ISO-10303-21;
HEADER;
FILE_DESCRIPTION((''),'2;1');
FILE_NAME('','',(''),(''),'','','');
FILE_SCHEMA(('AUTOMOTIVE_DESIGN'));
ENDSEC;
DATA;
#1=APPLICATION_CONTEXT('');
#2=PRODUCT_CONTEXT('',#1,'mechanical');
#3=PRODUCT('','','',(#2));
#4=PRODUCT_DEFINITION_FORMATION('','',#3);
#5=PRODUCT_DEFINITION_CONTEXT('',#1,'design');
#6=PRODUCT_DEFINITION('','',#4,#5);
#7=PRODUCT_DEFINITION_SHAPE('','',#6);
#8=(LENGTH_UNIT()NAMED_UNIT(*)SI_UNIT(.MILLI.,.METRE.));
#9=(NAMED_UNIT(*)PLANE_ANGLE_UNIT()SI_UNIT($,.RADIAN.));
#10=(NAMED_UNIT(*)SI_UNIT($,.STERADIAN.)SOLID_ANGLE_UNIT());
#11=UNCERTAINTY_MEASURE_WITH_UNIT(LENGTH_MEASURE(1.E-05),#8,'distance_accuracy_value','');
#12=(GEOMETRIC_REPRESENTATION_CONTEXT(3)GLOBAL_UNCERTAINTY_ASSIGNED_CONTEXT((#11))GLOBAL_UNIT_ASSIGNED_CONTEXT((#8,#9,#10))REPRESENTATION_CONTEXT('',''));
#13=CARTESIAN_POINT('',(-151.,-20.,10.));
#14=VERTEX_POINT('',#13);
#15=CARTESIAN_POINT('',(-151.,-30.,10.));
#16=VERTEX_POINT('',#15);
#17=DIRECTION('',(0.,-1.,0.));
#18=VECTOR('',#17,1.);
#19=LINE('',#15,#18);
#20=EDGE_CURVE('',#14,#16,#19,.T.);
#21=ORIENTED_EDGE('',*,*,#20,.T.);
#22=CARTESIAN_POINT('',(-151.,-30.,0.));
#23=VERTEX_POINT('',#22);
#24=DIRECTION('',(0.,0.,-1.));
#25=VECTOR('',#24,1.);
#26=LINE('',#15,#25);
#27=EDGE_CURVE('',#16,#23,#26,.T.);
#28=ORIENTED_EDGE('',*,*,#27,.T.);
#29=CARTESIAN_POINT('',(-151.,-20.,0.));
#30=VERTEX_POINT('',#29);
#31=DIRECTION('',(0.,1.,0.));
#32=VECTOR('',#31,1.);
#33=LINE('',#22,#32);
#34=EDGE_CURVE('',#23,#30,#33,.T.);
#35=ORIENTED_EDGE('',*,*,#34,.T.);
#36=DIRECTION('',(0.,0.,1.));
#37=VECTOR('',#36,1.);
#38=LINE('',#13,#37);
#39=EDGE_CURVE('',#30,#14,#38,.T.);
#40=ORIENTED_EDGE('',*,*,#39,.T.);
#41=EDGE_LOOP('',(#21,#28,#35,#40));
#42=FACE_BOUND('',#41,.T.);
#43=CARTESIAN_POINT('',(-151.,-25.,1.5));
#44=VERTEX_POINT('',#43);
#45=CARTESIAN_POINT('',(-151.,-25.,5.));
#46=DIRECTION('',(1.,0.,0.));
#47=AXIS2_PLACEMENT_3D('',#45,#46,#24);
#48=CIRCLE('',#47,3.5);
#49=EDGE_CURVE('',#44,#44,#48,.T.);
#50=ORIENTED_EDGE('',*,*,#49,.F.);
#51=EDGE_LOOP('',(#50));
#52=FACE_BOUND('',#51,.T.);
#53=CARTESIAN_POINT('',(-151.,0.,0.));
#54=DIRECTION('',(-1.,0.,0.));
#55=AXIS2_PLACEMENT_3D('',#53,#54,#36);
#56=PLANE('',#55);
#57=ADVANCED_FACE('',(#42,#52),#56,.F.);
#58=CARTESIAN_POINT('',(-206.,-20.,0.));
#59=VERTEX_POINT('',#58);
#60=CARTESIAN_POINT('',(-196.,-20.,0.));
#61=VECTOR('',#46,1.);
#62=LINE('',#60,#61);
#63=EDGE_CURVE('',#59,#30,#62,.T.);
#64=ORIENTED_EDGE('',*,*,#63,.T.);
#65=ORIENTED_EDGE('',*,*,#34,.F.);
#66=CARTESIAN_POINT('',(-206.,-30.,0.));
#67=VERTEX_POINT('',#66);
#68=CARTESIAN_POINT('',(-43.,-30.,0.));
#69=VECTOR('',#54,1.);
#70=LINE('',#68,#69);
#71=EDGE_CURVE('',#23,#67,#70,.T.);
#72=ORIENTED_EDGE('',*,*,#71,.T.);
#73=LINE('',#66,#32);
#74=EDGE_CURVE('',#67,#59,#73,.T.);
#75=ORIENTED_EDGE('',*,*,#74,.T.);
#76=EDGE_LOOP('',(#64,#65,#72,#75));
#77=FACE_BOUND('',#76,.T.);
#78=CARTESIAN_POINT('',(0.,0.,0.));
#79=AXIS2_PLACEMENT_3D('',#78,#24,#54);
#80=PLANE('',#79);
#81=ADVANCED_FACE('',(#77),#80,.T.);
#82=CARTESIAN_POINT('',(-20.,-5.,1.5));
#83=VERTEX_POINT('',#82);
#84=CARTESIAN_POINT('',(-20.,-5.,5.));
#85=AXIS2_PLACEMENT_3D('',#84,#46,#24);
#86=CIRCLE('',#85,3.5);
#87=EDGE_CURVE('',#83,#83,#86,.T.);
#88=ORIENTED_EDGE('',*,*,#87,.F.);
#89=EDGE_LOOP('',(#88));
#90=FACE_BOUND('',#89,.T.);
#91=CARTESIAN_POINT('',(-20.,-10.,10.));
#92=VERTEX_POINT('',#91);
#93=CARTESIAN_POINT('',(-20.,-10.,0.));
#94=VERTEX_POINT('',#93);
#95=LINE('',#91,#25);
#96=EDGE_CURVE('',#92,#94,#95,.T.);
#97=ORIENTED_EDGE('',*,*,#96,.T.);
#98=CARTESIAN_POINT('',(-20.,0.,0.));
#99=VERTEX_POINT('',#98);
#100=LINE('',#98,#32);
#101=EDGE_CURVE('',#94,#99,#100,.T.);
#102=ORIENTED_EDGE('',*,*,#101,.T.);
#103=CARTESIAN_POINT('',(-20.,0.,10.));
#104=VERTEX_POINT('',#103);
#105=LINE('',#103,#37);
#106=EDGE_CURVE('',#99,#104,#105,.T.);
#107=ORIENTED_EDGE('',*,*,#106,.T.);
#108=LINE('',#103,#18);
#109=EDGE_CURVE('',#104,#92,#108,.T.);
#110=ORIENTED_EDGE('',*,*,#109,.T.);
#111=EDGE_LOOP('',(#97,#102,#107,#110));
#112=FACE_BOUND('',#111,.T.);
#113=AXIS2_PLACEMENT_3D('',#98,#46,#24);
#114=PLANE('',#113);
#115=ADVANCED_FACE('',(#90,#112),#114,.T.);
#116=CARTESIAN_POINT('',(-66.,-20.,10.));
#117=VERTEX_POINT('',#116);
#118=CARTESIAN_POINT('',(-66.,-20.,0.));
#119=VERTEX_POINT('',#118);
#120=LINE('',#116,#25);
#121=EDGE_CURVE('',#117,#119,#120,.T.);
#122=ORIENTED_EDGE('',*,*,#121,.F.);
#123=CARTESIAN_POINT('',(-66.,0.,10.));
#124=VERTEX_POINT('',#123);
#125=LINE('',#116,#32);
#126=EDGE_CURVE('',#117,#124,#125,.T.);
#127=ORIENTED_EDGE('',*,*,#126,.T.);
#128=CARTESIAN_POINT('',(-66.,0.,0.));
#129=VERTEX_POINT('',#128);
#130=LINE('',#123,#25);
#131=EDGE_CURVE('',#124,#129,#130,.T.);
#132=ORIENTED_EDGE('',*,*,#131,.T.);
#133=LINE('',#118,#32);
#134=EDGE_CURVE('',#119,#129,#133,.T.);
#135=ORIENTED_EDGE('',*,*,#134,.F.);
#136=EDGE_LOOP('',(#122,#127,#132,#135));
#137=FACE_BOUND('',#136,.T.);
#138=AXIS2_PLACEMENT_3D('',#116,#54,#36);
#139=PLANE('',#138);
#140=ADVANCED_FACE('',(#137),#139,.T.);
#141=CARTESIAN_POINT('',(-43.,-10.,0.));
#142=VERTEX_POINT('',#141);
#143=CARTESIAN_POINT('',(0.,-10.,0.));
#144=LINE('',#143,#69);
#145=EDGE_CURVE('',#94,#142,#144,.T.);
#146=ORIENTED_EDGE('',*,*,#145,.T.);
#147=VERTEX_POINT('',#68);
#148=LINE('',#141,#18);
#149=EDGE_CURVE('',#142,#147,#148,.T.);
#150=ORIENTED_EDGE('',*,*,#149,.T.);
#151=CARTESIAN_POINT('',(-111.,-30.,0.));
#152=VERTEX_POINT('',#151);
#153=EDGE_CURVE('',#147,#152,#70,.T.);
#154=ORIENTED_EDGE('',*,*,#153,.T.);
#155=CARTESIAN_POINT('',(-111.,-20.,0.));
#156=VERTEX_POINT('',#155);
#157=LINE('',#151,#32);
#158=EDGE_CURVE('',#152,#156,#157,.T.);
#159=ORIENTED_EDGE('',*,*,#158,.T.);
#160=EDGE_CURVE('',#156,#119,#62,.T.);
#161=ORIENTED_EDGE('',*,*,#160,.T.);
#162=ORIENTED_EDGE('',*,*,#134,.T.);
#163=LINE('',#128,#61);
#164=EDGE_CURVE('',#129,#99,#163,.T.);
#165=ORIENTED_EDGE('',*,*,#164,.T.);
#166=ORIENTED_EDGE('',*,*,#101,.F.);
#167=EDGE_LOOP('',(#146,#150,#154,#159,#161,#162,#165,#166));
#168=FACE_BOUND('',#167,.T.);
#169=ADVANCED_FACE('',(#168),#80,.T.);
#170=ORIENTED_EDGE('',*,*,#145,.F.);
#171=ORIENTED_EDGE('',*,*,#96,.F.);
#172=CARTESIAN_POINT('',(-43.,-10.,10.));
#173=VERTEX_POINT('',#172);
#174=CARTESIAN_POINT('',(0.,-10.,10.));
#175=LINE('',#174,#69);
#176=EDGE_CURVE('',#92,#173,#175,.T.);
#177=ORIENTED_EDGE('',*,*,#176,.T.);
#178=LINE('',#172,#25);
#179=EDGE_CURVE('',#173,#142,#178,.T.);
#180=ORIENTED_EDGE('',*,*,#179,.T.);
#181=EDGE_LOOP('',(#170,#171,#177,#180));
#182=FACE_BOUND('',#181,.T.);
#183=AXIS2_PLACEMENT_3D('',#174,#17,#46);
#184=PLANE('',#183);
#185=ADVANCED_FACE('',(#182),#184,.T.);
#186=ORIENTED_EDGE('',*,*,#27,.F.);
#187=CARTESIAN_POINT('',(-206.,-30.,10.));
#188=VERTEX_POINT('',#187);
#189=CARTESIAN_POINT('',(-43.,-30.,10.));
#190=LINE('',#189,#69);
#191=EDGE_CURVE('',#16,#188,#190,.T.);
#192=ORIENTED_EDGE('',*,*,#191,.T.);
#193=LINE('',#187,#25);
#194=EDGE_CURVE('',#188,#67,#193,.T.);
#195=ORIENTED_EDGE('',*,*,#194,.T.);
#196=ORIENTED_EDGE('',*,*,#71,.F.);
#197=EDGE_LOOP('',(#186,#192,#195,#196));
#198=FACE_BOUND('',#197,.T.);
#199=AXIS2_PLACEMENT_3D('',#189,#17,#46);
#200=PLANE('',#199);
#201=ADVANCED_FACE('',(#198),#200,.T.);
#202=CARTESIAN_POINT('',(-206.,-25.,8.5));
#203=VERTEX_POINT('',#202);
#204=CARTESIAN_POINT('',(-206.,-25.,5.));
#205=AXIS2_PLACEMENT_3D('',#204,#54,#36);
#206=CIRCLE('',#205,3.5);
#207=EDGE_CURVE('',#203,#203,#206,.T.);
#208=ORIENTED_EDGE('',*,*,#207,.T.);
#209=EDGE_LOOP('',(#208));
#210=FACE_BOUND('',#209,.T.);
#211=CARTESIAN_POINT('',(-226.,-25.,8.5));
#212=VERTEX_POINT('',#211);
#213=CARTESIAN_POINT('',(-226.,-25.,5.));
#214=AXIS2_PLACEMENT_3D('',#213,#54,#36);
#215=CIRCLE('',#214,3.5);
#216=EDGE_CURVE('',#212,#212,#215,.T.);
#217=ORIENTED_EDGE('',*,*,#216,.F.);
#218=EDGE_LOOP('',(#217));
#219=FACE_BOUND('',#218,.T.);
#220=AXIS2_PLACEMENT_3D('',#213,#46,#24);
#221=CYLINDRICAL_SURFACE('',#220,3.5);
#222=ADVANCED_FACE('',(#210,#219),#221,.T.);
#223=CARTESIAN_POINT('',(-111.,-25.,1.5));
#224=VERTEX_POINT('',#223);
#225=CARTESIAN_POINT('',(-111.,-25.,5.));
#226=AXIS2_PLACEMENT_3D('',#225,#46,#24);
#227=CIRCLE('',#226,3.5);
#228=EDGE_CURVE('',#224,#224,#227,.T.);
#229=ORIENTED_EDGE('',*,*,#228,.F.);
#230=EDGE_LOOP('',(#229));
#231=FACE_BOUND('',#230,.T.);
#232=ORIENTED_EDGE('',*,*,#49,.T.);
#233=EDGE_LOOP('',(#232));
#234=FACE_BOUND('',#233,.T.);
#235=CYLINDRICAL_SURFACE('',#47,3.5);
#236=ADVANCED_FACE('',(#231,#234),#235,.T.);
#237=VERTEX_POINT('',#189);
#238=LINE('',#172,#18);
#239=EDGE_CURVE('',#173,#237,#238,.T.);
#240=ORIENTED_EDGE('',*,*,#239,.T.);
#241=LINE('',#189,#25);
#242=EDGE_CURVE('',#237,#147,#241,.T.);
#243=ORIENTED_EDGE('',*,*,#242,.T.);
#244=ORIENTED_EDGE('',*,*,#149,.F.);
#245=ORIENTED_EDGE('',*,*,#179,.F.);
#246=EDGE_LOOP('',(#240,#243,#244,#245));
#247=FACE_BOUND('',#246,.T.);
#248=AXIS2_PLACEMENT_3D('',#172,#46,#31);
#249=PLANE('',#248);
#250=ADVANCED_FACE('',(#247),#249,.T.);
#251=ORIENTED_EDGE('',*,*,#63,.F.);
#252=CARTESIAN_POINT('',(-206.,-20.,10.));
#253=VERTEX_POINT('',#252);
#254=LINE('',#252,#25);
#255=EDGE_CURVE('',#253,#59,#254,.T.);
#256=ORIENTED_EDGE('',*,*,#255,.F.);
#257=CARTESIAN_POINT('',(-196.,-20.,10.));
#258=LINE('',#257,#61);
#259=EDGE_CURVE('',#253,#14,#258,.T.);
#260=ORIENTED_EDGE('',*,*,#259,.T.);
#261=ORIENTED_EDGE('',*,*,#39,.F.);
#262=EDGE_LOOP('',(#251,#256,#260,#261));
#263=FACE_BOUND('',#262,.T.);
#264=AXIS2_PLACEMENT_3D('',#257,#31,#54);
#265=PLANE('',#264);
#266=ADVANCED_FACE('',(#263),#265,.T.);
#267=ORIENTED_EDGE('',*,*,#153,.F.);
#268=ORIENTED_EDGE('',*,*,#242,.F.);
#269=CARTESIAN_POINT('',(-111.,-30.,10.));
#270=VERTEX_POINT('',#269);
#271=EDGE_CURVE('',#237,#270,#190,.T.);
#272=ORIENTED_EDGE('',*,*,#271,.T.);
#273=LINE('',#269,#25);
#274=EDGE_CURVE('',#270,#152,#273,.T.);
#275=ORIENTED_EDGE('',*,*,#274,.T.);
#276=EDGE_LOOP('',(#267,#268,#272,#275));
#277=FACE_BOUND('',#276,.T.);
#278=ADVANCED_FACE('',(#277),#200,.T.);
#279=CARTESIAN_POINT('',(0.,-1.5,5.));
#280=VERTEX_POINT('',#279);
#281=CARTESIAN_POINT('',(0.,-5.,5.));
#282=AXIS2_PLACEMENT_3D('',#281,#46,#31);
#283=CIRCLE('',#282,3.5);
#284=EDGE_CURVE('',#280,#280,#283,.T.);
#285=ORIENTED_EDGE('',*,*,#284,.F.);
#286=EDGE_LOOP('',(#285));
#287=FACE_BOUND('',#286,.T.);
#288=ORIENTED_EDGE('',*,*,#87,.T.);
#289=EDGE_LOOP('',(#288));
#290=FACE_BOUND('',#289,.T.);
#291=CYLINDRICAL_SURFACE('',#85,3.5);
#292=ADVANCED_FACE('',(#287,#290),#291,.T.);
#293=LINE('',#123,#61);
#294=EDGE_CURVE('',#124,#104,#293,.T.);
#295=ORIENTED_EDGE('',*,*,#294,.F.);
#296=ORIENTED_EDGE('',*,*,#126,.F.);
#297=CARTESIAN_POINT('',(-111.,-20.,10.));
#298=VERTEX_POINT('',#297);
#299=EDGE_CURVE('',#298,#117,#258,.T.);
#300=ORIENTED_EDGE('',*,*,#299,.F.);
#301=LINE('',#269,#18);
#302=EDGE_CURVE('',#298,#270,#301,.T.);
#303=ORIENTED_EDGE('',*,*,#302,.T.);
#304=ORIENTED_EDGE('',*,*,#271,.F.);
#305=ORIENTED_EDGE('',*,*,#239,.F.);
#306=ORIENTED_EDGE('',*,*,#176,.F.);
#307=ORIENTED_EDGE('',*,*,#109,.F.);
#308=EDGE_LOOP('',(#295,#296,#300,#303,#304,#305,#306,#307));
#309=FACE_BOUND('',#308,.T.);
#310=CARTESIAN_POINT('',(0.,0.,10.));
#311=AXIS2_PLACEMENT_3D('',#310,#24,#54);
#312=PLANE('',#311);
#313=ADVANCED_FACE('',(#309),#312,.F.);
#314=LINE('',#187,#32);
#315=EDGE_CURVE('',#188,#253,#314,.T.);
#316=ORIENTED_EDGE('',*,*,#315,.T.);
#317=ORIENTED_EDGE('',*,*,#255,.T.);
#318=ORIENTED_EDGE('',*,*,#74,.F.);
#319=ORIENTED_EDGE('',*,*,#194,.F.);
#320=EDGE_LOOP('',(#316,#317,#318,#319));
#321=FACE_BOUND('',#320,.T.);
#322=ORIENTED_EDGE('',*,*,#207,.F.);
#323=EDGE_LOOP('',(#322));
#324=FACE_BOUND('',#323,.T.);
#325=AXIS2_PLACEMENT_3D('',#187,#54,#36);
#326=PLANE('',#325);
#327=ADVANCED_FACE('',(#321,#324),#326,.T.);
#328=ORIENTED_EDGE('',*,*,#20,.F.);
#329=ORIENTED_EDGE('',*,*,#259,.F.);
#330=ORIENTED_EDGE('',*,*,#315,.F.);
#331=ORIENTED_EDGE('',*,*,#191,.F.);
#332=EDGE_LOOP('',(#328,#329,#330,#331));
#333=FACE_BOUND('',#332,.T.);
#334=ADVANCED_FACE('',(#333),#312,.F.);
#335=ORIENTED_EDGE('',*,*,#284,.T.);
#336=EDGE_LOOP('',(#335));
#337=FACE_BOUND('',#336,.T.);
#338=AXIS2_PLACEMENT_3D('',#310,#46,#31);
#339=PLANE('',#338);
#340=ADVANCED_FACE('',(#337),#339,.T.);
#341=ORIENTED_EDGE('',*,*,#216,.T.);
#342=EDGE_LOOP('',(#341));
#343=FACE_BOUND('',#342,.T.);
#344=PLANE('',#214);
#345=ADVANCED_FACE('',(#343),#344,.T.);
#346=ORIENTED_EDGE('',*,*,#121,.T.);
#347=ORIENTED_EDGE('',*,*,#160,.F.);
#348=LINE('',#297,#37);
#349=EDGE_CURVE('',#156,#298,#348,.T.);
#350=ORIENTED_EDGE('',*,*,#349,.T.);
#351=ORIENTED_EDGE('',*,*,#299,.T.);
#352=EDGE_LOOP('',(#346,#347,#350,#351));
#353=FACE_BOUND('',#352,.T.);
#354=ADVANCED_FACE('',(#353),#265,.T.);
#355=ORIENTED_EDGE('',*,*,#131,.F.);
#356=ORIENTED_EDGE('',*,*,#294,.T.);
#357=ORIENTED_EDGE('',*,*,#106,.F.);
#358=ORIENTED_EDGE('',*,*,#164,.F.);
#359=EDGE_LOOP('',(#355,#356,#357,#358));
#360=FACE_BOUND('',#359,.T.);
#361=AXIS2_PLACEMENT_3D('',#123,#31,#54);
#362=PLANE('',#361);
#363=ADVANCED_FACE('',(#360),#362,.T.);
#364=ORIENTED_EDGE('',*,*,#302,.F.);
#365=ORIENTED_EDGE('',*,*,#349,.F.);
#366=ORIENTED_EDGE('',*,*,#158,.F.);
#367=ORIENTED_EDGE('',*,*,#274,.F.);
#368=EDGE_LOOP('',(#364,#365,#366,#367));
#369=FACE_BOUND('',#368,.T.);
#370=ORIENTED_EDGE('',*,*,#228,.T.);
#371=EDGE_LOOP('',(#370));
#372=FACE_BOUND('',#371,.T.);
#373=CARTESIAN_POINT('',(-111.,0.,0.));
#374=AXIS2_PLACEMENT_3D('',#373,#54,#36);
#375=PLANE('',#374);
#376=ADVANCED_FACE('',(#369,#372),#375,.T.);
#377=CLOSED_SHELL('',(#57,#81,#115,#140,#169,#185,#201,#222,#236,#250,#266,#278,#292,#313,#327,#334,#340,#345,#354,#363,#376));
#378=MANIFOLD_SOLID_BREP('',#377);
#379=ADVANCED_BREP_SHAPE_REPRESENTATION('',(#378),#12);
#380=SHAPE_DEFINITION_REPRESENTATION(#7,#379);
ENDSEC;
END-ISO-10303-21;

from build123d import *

# Parameters (mm, degrees)
BOSS_EXTRUDE1_DEPTH = 10
SKETCH4_W           = 10
SKETCH4_H           = 10
SKETCH4_R           = 3.5
CUT_EXTRUDE8_DEPTH  = 20
SKETCH12_W          = 10
SKETCH12_H          = 10
SKETCH12_R          = 3.5
CUT_EXTRUDE10_DEPTH = 20
SKETCH14_W          = 10
SKETCH14_H          = 10
SKETCH14_R          = 3.5
CUT_EXTRUDE12_DEPTH = 40
BOSS_EXTRUDE2_START = 20
SKETCH15_R          = 3.5
BOSS_EXTRUDE2_DEPTH = 20
SKETCH16_W          = 50
SKETCH16_H          = 20
CUT_EXTRUDE14_DEPTH = 200


with BuildPart() as part:
    # Sketch1 → Boss-Extrude1 (new body)
    with BuildSketch(Plane.XY):
        Polygon((-66, 0), (0, 0), (0, -10), (-43, -10), (-43, -30), (-206, -30), (-206, -10), (-246, -10), (-246, 0), (-196, 0), (-196, -20), (-66, -20), align=None)
    extrude(amount=BOSS_EXTRUDE1_DEPTH)

    # Sketch4 → Cut-Extrude8 (cut, symmetric)
    with BuildSketch(Plane(origin=(0, 0, 0), x_dir=(0, 0, -1), z_dir=(1, 0, 0))):
        with Locations((-5, -5)):
            Rectangle(SKETCH4_W, SKETCH4_H)
        with Locations((-5, -5)):
            Circle(SKETCH4_R, mode=Mode.SUBTRACT)
    extrude(amount=CUT_EXTRUDE8_DEPTH, both=True, mode=Mode.SUBTRACT)

    # Sketch12 → Cut-Extrude10 (cut, symmetric)
    with BuildSketch(Plane(origin=(-131, 0, 0), x_dir=(0, 0, -1), z_dir=(1, 0, 0))):
        with Locations((-5, -25)):
            Rectangle(SKETCH12_W, SKETCH12_H)
        with Locations((-5, -25)):
            Circle(SKETCH12_R, mode=Mode.SUBTRACT)
    extrude(amount=CUT_EXTRUDE10_DEPTH, both=True, mode=Mode.SUBTRACT)

    # Sketch14 → Cut-Extrude12 (cut)
    with BuildSketch(Plane.ZY.offset(246)):
        with Locations((5, -5)):
            Rectangle(SKETCH14_W, SKETCH14_H)
        with Locations(Location((5, -5, 0), (0, 0, 180))):
            Circle(SKETCH14_R, mode=Mode.SUBTRACT)
    extrude(amount=-CUT_EXTRUDE12_DEPTH, mode=Mode.SUBTRACT)

    # Sketch15 → Boss-Extrude2 (add)
    with BuildSketch(Plane.ZY.offset(206).offset(BOSS_EXTRUDE2_START)):
        with Locations(Location((5, -25, 0), (0, 0, 180))):
            Circle(SKETCH15_R)
    extrude(amount=-BOSS_EXTRUDE2_DEPTH)

    # Sketch16 → Cut-Extrude14 (cut)
    with BuildSketch(Plane.XY):
        with Locations((-221, -10)):
            Rectangle(SKETCH16_W, SKETCH16_H)
    extrude(amount=CUT_EXTRUDE14_DEPTH, mode=Mode.SUBTRACT)


solid = part.part
